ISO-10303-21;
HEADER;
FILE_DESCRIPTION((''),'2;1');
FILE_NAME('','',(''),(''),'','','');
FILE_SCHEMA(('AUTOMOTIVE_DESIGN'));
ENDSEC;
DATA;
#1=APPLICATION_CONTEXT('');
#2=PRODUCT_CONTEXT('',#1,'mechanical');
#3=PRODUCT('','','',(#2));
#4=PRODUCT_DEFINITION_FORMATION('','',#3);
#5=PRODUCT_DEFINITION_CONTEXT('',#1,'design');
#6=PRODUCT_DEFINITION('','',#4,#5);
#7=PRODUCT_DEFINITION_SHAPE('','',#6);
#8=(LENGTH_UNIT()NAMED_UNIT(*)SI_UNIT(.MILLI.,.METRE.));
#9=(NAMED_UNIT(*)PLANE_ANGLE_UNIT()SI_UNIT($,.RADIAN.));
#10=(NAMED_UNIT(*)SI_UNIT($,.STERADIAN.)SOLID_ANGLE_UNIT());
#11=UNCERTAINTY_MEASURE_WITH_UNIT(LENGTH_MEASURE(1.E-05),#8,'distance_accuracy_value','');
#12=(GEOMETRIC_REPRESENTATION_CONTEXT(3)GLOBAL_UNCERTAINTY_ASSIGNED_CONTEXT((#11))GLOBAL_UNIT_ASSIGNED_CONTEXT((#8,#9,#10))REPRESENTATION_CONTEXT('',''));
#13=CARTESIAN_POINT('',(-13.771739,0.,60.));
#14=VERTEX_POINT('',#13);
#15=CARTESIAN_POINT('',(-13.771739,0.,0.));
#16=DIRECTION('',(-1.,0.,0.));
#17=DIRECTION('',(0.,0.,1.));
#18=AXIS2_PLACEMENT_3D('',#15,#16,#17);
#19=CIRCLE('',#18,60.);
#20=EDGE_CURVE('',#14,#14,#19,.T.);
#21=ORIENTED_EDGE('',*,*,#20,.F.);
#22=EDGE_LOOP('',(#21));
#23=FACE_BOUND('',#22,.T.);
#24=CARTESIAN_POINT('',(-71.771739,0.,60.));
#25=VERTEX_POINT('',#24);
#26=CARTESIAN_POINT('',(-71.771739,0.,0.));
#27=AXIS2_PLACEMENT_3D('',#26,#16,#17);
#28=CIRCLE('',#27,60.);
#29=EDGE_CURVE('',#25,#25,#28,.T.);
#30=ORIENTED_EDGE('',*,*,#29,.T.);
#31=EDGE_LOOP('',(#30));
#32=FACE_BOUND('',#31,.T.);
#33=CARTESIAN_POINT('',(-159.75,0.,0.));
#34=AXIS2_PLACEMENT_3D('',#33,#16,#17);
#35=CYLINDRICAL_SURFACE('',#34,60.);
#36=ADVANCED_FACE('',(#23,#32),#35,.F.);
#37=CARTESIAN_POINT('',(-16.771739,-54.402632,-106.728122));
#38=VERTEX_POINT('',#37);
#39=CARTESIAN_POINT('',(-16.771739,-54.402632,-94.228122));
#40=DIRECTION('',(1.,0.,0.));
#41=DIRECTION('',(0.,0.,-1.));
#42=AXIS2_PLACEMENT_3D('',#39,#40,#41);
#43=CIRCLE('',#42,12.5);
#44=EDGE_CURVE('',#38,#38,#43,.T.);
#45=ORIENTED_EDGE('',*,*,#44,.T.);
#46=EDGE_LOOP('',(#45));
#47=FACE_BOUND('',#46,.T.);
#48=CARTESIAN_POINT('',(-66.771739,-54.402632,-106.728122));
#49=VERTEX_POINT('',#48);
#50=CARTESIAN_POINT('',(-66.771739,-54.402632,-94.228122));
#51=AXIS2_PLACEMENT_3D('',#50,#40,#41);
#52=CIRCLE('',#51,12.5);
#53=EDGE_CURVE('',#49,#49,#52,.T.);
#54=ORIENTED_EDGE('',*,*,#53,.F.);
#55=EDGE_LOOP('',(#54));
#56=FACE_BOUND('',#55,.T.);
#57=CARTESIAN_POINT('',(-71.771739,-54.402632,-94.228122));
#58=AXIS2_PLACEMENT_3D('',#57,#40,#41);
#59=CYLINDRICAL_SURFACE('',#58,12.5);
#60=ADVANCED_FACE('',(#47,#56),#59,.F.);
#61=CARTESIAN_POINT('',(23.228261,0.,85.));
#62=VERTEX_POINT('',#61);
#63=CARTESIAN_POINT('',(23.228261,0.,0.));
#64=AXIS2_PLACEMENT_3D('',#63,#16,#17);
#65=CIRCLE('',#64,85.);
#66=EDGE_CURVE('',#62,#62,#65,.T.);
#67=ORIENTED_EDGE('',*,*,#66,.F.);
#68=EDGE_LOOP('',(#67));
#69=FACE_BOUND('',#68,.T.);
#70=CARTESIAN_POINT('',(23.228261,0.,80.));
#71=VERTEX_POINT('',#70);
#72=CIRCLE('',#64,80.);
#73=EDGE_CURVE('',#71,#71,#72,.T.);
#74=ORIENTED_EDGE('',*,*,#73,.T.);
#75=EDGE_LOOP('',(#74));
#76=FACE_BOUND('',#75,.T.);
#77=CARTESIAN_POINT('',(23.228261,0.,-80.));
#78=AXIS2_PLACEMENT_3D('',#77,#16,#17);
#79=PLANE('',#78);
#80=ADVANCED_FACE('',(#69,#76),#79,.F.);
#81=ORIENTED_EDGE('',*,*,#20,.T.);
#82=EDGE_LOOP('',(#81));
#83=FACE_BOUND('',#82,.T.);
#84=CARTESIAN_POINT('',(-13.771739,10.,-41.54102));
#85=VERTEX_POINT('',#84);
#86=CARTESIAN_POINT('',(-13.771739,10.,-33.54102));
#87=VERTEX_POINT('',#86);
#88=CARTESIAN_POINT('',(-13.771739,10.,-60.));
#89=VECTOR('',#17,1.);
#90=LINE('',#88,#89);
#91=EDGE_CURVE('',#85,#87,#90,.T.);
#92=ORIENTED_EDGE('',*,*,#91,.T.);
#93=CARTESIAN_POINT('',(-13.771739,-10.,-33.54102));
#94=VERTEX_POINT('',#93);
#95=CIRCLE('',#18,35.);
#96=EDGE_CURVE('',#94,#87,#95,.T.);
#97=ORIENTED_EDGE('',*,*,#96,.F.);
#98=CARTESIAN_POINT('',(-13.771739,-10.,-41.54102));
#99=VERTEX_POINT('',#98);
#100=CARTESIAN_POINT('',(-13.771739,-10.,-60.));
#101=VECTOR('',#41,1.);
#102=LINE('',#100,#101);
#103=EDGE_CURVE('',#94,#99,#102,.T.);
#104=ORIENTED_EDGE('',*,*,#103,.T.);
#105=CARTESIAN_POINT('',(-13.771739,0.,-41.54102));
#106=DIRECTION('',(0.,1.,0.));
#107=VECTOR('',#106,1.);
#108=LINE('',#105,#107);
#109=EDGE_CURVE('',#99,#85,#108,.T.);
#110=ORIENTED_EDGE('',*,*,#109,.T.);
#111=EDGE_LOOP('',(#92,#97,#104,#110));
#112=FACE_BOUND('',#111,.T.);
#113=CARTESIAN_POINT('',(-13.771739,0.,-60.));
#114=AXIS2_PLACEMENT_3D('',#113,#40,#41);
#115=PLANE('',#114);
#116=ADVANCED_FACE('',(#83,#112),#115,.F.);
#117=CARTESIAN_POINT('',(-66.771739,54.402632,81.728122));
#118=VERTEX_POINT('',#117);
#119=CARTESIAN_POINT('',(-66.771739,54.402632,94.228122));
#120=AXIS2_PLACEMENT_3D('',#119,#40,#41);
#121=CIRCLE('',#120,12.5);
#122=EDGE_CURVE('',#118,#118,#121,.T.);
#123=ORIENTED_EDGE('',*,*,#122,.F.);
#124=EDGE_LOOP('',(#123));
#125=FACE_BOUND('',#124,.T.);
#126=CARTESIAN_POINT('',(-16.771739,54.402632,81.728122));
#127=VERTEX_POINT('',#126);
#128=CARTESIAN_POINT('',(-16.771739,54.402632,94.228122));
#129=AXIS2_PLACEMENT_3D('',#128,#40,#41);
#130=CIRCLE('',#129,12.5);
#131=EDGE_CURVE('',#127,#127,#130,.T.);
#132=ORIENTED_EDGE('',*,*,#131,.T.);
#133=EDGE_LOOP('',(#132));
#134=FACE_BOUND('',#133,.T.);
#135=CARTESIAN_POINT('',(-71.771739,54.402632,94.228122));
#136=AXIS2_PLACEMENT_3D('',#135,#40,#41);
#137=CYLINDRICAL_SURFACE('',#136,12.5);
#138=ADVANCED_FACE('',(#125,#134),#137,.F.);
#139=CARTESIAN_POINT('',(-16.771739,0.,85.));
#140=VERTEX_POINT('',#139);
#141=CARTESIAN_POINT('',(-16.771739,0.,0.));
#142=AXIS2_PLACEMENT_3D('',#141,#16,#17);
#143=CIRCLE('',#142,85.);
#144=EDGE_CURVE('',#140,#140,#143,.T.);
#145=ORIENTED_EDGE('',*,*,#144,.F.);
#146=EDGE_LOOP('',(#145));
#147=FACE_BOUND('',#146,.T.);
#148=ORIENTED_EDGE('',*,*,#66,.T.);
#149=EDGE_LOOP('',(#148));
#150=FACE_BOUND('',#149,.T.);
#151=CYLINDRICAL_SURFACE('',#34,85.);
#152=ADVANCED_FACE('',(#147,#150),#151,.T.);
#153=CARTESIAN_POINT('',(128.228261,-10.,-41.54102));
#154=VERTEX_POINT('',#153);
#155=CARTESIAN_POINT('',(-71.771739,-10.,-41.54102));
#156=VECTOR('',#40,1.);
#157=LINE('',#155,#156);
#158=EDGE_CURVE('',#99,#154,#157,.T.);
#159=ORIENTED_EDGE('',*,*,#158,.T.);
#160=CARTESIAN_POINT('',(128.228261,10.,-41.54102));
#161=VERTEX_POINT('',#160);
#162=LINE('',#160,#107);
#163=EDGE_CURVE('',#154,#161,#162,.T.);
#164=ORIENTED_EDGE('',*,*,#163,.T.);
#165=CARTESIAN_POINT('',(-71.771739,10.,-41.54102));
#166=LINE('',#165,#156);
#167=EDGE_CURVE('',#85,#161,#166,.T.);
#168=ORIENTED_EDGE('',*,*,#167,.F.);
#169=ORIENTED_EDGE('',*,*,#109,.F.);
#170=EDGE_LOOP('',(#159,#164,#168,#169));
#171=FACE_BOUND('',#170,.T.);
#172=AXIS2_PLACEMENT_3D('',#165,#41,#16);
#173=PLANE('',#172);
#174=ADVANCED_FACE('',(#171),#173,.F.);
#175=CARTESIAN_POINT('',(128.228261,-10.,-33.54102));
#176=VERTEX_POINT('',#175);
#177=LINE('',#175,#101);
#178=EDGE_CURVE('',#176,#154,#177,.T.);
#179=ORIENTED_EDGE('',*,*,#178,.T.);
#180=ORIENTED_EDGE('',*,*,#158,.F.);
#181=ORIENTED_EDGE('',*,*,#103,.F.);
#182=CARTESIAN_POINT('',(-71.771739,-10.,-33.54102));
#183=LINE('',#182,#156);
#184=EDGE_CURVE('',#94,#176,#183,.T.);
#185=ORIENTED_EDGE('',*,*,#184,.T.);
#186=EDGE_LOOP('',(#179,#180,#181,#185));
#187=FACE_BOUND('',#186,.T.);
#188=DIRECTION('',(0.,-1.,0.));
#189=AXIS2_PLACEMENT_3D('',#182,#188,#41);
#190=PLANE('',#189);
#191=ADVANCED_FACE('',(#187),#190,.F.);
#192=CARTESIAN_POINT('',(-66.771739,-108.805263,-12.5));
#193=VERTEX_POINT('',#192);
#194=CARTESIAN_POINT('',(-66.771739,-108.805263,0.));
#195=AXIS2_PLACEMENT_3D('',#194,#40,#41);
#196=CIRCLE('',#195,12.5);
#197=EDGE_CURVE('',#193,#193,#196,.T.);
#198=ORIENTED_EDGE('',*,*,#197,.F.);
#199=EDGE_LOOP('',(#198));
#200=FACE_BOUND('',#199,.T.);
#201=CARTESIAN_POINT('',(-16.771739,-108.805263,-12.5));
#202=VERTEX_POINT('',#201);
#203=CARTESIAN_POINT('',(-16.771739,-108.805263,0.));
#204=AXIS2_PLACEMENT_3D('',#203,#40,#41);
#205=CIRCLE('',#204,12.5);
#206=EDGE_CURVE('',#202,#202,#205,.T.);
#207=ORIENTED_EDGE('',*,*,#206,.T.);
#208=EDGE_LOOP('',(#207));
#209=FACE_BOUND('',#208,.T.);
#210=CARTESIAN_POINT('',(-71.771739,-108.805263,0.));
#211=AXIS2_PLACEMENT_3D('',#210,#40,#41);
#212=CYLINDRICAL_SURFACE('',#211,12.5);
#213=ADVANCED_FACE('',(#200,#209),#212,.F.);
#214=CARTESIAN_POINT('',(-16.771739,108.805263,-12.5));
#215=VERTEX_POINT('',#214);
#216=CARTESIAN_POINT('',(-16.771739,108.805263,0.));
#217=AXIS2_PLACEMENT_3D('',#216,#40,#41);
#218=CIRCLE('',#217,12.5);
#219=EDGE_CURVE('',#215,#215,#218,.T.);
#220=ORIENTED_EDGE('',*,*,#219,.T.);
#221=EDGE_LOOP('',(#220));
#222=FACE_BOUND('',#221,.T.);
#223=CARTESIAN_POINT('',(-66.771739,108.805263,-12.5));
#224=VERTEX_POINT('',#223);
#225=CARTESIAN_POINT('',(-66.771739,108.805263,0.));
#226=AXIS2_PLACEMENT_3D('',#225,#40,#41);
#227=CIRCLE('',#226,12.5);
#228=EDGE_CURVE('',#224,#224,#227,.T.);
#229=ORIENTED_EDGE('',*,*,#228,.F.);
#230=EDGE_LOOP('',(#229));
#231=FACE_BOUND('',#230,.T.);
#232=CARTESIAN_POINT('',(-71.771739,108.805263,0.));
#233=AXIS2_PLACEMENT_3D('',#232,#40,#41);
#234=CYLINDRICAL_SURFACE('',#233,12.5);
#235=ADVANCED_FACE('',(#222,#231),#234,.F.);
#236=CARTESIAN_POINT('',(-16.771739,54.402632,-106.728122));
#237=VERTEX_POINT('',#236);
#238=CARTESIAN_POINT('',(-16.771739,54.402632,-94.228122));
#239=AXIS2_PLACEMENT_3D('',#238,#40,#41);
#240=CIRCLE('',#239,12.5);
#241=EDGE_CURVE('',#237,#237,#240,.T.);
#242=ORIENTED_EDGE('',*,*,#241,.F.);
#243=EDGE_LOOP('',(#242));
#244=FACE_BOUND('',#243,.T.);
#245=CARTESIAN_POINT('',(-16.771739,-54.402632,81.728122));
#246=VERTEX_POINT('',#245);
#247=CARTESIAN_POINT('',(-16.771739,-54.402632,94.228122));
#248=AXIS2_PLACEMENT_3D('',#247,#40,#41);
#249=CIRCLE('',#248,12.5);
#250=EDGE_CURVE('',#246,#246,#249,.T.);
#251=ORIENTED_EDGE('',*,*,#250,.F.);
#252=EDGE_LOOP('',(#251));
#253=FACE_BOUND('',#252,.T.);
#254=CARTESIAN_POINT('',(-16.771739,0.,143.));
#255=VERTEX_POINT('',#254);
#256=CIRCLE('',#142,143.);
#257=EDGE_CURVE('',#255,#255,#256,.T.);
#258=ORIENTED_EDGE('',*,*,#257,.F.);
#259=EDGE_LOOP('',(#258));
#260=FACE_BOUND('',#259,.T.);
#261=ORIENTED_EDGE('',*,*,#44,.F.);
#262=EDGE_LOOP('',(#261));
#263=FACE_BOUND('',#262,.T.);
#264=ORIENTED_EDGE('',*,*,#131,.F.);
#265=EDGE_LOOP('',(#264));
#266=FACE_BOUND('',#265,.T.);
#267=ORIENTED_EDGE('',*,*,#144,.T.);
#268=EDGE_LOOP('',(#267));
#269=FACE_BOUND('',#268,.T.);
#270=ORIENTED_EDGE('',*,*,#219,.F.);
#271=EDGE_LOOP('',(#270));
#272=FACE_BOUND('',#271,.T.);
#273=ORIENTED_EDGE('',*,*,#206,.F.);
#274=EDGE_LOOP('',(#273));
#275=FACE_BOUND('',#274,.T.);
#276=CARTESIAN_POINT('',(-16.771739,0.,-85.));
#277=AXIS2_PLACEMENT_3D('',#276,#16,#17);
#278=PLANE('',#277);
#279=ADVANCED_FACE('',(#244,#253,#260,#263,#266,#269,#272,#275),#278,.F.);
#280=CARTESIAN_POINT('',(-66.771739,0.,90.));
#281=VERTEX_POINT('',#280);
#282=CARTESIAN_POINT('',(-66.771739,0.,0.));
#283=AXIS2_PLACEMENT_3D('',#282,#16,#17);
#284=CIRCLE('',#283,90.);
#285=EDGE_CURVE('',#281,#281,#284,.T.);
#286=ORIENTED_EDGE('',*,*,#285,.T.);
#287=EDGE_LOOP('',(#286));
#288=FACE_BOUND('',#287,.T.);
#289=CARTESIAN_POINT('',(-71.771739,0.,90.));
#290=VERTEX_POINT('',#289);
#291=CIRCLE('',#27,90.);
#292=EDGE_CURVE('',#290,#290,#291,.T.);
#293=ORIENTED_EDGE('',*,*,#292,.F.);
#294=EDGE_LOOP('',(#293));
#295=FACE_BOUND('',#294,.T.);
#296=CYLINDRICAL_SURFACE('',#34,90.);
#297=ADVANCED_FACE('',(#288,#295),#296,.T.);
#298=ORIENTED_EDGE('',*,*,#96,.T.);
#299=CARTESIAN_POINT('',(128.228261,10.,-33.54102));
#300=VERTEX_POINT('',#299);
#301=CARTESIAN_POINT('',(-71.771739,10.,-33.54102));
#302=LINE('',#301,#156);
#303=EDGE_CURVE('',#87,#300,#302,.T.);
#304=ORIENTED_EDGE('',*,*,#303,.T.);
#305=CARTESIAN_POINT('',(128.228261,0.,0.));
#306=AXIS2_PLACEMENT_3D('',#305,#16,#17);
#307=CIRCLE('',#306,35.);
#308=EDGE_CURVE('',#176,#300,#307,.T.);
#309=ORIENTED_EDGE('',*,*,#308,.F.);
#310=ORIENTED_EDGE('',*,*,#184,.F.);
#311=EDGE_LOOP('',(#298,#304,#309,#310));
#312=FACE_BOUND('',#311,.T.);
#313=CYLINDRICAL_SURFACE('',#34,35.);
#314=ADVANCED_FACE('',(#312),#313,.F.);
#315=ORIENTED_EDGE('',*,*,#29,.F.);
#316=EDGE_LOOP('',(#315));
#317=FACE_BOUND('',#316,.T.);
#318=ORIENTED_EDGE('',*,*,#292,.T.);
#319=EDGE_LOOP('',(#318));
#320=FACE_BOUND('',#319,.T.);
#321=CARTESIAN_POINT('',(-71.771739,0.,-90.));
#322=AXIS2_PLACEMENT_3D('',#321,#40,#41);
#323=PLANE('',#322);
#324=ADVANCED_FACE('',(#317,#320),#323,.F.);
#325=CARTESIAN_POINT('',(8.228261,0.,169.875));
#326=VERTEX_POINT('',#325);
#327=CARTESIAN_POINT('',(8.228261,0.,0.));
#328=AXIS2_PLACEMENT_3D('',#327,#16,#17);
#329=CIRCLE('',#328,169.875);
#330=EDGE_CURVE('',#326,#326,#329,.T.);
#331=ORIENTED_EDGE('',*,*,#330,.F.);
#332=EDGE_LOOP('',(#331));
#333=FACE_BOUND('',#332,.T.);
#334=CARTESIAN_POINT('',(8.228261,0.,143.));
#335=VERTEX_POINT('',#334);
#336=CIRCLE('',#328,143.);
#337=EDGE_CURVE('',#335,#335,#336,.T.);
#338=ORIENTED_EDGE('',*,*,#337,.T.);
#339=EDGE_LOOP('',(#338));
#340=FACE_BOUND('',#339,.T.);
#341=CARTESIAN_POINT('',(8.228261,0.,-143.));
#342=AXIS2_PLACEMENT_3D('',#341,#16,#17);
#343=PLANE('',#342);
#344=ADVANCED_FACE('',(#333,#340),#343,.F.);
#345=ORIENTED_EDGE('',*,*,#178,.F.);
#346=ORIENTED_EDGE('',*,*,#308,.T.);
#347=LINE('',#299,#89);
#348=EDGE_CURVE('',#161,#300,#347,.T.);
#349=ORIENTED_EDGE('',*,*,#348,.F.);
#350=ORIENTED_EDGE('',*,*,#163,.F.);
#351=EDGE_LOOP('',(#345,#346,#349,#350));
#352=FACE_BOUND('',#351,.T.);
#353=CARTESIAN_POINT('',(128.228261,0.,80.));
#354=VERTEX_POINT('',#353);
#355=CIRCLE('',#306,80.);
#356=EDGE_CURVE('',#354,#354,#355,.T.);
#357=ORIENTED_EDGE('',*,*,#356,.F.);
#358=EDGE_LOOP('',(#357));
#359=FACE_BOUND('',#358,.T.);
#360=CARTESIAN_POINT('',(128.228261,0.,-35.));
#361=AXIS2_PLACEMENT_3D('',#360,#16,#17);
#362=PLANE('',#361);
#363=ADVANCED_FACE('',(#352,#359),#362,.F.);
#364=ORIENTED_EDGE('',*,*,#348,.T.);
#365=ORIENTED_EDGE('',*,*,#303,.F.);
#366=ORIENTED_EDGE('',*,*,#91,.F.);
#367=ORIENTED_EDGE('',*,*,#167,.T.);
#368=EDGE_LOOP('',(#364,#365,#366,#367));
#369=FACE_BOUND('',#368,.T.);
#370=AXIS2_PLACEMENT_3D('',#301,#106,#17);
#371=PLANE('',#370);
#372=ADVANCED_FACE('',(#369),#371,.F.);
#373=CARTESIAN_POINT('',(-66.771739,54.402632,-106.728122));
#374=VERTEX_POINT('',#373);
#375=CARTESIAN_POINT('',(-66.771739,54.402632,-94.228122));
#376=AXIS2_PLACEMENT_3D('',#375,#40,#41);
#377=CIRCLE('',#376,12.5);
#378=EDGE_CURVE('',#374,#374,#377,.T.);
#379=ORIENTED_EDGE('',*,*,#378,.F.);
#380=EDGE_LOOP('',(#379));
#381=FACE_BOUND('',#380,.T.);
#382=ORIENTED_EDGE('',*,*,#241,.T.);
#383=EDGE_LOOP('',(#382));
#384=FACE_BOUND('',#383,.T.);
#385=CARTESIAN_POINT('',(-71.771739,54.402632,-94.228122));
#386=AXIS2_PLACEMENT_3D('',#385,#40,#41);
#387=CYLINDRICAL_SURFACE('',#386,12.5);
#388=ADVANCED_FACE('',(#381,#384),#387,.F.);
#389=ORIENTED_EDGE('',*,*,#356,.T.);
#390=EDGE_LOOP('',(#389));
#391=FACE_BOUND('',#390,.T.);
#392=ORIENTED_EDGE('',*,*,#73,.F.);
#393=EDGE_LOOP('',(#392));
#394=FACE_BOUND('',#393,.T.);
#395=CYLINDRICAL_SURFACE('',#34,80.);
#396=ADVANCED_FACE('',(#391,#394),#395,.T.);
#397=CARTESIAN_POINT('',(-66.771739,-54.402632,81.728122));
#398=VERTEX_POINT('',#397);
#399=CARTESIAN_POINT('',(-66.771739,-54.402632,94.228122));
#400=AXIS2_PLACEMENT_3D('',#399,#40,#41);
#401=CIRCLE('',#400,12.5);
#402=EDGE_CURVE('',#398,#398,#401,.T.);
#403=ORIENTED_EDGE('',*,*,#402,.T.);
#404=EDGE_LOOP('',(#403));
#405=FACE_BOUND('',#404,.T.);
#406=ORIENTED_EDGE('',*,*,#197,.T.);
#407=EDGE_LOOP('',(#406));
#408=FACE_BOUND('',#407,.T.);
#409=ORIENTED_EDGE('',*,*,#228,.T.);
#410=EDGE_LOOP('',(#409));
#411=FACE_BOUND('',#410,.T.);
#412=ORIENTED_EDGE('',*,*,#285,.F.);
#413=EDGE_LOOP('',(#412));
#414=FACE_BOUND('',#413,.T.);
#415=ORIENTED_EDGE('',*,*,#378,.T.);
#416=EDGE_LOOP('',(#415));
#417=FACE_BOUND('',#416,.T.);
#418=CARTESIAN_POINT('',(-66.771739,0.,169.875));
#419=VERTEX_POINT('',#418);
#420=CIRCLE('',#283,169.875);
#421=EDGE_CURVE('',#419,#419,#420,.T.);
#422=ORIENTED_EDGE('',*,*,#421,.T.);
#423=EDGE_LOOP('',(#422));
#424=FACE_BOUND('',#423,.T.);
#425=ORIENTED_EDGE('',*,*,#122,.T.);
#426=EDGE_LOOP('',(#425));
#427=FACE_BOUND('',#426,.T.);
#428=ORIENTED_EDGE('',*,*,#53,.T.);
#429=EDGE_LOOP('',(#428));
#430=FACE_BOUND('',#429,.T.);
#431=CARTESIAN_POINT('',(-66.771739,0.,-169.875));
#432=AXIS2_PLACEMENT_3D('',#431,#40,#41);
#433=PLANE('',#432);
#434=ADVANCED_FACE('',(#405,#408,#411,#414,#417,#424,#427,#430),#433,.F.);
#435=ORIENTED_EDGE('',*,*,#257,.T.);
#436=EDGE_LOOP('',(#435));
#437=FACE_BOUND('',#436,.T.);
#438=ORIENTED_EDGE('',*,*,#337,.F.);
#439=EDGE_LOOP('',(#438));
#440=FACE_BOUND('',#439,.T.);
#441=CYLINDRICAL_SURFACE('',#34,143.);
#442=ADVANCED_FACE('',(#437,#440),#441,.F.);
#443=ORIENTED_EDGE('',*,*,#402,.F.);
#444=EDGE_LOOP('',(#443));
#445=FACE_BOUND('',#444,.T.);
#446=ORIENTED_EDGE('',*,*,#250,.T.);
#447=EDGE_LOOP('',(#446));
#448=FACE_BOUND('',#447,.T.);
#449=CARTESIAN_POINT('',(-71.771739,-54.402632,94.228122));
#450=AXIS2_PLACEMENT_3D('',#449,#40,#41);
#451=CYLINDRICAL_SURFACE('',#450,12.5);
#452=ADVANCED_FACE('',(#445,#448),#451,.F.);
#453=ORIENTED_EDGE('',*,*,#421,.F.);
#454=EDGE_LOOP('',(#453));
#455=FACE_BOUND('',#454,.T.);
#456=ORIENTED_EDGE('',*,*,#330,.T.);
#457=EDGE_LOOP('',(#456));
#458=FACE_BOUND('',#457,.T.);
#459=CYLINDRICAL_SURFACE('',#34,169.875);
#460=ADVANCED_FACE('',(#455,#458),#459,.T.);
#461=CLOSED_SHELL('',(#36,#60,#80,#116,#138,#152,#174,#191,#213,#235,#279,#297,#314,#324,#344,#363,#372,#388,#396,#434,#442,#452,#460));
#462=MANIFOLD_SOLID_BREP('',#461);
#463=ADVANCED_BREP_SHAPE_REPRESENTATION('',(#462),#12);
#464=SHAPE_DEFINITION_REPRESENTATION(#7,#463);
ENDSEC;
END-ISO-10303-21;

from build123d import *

# Parameters (mm, degrees)
SKETCH2_W          = 8
SKETCH2_H          = 20
CUT_EXTRUDE1_DEPTH = 313.594035852
SKETCH3_R          = 12.5
CUT_EXTRUDE2_DEPTH = 281.606541709


with BuildPart() as part:
    # Sketch1 → Revolve1 (revolve)
    with BuildSketch(Plane(origin=(0, 0, 0), x_dir=(1, 0, 0), z_dir=(0, 1, 0)), mode=Mode.PRIVATE) as revolve1_sk:
        Polygon((-13.77173913, 35), (128.22826087, 35), (128.22826087, 80), (23.22826087, 80), (23.22826087, 85), (-16.77173913, 85), (-16.77173913, 143), (8.22826087, 143), (8.22826087, 169.875), (-66.77173913, 169.875), (-66.77173913, 90), (-71.77173913, 90), (-71.77173913, 60), (-13.77173913, 60), align=None)
    revolve(revolve1_sk.sketch.rotate(Axis((-159.75, 0, 0), (1, 0, 0)), 180), axis=Axis((-159.75, 0, 0), (1, 0, 0)))

    # Sketch2 → Cut-Extrude1 (cut, through all)
    with BuildSketch(Plane(origin=(128.22826087, 0, 0), x_dir=(0, 0, -1), z_dir=(1, 0, 0))):
        with Locations((37.541019662, 0)):
            Rectangle(SKETCH2_W, SKETCH2_H)
    extrude(amount=-CUT_EXTRUDE1_DEPTH, mode=Mode.SUBTRACT)

    # Sketch3 → Cut-Extrude2 (cut, through all)
    with BuildSketch(Plane(origin=(-16.77173913, 0, 0), x_dir=(0, 0, -1), z_dir=(1, 0, 0))):
        with Locations((0, 108.805263326)):
            Circle(SKETCH3_R)
        with Locations((94.228122106, 54.402631663)):
            Circle(SKETCH3_R)
        with Locations((94.228122106, -54.402631663)):
            Circle(SKETCH3_R)
        with Locations((0, -108.805263326)):
            Circle(SKETCH3_R)
        with Locations((-94.228122106, -54.402631663)):
            Circle(SKETCH3_R)
        with Locations((-94.228122106, 54.402631663)):
            Circle(SKETCH3_R)
    extrude(amount=-CUT_EXTRUDE2_DEPTH, mode=Mode.SUBTRACT)


solid = part.part
